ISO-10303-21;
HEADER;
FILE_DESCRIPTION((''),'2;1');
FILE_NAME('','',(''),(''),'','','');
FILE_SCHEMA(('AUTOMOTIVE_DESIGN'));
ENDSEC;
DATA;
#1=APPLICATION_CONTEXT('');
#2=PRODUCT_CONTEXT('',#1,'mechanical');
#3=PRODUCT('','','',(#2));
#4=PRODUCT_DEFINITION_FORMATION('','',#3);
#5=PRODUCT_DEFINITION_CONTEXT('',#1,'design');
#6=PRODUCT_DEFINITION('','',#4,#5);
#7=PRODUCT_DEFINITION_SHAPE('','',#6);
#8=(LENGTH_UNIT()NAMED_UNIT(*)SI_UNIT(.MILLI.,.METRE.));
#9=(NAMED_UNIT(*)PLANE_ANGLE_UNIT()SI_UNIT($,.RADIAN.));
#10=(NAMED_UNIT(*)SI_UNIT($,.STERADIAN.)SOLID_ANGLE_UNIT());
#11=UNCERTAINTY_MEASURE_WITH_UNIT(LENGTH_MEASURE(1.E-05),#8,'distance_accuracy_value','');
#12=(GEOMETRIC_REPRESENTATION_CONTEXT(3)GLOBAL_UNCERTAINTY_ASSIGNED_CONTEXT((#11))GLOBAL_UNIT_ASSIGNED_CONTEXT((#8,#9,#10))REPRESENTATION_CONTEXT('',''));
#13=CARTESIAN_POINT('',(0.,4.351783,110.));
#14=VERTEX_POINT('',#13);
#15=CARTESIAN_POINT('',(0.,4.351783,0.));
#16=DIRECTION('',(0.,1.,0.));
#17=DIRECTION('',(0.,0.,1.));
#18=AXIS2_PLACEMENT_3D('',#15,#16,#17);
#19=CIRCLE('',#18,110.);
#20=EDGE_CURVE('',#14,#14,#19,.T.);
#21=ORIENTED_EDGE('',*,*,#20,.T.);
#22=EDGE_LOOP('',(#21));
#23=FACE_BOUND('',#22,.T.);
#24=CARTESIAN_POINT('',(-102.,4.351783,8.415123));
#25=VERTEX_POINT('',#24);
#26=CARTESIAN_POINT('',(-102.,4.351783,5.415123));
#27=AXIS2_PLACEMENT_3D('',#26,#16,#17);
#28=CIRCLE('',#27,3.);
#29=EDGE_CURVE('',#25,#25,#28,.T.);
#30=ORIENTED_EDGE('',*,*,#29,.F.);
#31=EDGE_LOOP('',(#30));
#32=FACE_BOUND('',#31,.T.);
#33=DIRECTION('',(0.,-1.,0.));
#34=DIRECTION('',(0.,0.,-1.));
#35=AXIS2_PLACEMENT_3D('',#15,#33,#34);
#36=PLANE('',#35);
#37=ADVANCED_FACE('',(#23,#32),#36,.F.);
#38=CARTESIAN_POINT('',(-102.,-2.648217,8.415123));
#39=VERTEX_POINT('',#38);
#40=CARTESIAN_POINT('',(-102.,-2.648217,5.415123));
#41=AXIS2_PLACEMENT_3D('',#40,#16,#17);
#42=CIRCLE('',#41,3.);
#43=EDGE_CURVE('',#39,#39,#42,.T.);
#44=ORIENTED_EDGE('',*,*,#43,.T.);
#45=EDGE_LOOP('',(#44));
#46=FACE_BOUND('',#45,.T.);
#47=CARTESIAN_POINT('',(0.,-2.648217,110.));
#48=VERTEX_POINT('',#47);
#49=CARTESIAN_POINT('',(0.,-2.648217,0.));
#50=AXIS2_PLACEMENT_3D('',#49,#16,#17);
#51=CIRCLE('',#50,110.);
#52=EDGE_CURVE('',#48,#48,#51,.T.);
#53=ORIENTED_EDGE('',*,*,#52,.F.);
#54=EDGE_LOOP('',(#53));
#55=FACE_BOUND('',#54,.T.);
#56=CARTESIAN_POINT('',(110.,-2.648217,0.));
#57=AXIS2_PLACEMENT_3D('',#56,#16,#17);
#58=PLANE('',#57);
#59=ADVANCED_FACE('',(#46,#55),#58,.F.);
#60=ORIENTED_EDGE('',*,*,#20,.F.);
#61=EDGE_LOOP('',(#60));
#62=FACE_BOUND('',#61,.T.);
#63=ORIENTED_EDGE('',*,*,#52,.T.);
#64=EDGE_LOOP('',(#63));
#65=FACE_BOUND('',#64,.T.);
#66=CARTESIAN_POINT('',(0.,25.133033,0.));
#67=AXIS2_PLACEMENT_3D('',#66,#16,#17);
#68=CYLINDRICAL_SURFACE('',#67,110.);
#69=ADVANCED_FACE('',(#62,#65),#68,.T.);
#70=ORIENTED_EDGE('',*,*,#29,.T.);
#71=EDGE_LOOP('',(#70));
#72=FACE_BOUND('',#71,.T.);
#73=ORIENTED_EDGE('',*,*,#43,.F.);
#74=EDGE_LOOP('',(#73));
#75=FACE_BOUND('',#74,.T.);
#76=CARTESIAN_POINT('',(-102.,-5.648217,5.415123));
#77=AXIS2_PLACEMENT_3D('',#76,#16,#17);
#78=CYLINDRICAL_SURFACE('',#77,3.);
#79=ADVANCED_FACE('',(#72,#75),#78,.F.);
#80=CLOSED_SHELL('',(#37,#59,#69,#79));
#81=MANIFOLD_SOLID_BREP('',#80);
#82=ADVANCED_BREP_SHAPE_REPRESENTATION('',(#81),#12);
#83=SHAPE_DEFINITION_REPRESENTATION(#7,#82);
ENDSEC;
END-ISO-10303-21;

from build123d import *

# Parameters (mm, degrees)
ESQUISSE1_W             = 110
ESQUISSE1_H             = 7
ESQUISSE6_R             = 3
ENL_V_MAT_EXTRU_1_DEPTH = 10


with BuildPart() as part:
    # Esquisse1 → Révolution1 (revolve)
    with BuildSketch(Plane.XY, mode=Mode.PRIVATE) as r_volution1_sk:
        with Locations((55, 0.85178262)):
            Rectangle(ESQUISSE1_W, ESQUISSE1_H)
    revolve(r_volution1_sk.sketch.rotate(Axis((0, 25.13303262, 0), (0, -1, 0)), 90), axis=Axis((0, 25.13303262, 0), (0, -1, 0)))

    # Esquisse6 → Enlèv. mat.-Extru.1 (cut)
    with BuildSketch(Plane(origin=(0, 4.35178262, 0), x_dir=(1, 0, 0), z_dir=(0, 1, 0))):
        with Locations(Location((-102, -5.415123159, 0), (0, 0, 270))):
            Circle(ESQUISSE6_R)
    extrude(amount=-ENL_V_MAT_EXTRU_1_DEPTH, mode=Mode.SUBTRACT)


solid = part.part
